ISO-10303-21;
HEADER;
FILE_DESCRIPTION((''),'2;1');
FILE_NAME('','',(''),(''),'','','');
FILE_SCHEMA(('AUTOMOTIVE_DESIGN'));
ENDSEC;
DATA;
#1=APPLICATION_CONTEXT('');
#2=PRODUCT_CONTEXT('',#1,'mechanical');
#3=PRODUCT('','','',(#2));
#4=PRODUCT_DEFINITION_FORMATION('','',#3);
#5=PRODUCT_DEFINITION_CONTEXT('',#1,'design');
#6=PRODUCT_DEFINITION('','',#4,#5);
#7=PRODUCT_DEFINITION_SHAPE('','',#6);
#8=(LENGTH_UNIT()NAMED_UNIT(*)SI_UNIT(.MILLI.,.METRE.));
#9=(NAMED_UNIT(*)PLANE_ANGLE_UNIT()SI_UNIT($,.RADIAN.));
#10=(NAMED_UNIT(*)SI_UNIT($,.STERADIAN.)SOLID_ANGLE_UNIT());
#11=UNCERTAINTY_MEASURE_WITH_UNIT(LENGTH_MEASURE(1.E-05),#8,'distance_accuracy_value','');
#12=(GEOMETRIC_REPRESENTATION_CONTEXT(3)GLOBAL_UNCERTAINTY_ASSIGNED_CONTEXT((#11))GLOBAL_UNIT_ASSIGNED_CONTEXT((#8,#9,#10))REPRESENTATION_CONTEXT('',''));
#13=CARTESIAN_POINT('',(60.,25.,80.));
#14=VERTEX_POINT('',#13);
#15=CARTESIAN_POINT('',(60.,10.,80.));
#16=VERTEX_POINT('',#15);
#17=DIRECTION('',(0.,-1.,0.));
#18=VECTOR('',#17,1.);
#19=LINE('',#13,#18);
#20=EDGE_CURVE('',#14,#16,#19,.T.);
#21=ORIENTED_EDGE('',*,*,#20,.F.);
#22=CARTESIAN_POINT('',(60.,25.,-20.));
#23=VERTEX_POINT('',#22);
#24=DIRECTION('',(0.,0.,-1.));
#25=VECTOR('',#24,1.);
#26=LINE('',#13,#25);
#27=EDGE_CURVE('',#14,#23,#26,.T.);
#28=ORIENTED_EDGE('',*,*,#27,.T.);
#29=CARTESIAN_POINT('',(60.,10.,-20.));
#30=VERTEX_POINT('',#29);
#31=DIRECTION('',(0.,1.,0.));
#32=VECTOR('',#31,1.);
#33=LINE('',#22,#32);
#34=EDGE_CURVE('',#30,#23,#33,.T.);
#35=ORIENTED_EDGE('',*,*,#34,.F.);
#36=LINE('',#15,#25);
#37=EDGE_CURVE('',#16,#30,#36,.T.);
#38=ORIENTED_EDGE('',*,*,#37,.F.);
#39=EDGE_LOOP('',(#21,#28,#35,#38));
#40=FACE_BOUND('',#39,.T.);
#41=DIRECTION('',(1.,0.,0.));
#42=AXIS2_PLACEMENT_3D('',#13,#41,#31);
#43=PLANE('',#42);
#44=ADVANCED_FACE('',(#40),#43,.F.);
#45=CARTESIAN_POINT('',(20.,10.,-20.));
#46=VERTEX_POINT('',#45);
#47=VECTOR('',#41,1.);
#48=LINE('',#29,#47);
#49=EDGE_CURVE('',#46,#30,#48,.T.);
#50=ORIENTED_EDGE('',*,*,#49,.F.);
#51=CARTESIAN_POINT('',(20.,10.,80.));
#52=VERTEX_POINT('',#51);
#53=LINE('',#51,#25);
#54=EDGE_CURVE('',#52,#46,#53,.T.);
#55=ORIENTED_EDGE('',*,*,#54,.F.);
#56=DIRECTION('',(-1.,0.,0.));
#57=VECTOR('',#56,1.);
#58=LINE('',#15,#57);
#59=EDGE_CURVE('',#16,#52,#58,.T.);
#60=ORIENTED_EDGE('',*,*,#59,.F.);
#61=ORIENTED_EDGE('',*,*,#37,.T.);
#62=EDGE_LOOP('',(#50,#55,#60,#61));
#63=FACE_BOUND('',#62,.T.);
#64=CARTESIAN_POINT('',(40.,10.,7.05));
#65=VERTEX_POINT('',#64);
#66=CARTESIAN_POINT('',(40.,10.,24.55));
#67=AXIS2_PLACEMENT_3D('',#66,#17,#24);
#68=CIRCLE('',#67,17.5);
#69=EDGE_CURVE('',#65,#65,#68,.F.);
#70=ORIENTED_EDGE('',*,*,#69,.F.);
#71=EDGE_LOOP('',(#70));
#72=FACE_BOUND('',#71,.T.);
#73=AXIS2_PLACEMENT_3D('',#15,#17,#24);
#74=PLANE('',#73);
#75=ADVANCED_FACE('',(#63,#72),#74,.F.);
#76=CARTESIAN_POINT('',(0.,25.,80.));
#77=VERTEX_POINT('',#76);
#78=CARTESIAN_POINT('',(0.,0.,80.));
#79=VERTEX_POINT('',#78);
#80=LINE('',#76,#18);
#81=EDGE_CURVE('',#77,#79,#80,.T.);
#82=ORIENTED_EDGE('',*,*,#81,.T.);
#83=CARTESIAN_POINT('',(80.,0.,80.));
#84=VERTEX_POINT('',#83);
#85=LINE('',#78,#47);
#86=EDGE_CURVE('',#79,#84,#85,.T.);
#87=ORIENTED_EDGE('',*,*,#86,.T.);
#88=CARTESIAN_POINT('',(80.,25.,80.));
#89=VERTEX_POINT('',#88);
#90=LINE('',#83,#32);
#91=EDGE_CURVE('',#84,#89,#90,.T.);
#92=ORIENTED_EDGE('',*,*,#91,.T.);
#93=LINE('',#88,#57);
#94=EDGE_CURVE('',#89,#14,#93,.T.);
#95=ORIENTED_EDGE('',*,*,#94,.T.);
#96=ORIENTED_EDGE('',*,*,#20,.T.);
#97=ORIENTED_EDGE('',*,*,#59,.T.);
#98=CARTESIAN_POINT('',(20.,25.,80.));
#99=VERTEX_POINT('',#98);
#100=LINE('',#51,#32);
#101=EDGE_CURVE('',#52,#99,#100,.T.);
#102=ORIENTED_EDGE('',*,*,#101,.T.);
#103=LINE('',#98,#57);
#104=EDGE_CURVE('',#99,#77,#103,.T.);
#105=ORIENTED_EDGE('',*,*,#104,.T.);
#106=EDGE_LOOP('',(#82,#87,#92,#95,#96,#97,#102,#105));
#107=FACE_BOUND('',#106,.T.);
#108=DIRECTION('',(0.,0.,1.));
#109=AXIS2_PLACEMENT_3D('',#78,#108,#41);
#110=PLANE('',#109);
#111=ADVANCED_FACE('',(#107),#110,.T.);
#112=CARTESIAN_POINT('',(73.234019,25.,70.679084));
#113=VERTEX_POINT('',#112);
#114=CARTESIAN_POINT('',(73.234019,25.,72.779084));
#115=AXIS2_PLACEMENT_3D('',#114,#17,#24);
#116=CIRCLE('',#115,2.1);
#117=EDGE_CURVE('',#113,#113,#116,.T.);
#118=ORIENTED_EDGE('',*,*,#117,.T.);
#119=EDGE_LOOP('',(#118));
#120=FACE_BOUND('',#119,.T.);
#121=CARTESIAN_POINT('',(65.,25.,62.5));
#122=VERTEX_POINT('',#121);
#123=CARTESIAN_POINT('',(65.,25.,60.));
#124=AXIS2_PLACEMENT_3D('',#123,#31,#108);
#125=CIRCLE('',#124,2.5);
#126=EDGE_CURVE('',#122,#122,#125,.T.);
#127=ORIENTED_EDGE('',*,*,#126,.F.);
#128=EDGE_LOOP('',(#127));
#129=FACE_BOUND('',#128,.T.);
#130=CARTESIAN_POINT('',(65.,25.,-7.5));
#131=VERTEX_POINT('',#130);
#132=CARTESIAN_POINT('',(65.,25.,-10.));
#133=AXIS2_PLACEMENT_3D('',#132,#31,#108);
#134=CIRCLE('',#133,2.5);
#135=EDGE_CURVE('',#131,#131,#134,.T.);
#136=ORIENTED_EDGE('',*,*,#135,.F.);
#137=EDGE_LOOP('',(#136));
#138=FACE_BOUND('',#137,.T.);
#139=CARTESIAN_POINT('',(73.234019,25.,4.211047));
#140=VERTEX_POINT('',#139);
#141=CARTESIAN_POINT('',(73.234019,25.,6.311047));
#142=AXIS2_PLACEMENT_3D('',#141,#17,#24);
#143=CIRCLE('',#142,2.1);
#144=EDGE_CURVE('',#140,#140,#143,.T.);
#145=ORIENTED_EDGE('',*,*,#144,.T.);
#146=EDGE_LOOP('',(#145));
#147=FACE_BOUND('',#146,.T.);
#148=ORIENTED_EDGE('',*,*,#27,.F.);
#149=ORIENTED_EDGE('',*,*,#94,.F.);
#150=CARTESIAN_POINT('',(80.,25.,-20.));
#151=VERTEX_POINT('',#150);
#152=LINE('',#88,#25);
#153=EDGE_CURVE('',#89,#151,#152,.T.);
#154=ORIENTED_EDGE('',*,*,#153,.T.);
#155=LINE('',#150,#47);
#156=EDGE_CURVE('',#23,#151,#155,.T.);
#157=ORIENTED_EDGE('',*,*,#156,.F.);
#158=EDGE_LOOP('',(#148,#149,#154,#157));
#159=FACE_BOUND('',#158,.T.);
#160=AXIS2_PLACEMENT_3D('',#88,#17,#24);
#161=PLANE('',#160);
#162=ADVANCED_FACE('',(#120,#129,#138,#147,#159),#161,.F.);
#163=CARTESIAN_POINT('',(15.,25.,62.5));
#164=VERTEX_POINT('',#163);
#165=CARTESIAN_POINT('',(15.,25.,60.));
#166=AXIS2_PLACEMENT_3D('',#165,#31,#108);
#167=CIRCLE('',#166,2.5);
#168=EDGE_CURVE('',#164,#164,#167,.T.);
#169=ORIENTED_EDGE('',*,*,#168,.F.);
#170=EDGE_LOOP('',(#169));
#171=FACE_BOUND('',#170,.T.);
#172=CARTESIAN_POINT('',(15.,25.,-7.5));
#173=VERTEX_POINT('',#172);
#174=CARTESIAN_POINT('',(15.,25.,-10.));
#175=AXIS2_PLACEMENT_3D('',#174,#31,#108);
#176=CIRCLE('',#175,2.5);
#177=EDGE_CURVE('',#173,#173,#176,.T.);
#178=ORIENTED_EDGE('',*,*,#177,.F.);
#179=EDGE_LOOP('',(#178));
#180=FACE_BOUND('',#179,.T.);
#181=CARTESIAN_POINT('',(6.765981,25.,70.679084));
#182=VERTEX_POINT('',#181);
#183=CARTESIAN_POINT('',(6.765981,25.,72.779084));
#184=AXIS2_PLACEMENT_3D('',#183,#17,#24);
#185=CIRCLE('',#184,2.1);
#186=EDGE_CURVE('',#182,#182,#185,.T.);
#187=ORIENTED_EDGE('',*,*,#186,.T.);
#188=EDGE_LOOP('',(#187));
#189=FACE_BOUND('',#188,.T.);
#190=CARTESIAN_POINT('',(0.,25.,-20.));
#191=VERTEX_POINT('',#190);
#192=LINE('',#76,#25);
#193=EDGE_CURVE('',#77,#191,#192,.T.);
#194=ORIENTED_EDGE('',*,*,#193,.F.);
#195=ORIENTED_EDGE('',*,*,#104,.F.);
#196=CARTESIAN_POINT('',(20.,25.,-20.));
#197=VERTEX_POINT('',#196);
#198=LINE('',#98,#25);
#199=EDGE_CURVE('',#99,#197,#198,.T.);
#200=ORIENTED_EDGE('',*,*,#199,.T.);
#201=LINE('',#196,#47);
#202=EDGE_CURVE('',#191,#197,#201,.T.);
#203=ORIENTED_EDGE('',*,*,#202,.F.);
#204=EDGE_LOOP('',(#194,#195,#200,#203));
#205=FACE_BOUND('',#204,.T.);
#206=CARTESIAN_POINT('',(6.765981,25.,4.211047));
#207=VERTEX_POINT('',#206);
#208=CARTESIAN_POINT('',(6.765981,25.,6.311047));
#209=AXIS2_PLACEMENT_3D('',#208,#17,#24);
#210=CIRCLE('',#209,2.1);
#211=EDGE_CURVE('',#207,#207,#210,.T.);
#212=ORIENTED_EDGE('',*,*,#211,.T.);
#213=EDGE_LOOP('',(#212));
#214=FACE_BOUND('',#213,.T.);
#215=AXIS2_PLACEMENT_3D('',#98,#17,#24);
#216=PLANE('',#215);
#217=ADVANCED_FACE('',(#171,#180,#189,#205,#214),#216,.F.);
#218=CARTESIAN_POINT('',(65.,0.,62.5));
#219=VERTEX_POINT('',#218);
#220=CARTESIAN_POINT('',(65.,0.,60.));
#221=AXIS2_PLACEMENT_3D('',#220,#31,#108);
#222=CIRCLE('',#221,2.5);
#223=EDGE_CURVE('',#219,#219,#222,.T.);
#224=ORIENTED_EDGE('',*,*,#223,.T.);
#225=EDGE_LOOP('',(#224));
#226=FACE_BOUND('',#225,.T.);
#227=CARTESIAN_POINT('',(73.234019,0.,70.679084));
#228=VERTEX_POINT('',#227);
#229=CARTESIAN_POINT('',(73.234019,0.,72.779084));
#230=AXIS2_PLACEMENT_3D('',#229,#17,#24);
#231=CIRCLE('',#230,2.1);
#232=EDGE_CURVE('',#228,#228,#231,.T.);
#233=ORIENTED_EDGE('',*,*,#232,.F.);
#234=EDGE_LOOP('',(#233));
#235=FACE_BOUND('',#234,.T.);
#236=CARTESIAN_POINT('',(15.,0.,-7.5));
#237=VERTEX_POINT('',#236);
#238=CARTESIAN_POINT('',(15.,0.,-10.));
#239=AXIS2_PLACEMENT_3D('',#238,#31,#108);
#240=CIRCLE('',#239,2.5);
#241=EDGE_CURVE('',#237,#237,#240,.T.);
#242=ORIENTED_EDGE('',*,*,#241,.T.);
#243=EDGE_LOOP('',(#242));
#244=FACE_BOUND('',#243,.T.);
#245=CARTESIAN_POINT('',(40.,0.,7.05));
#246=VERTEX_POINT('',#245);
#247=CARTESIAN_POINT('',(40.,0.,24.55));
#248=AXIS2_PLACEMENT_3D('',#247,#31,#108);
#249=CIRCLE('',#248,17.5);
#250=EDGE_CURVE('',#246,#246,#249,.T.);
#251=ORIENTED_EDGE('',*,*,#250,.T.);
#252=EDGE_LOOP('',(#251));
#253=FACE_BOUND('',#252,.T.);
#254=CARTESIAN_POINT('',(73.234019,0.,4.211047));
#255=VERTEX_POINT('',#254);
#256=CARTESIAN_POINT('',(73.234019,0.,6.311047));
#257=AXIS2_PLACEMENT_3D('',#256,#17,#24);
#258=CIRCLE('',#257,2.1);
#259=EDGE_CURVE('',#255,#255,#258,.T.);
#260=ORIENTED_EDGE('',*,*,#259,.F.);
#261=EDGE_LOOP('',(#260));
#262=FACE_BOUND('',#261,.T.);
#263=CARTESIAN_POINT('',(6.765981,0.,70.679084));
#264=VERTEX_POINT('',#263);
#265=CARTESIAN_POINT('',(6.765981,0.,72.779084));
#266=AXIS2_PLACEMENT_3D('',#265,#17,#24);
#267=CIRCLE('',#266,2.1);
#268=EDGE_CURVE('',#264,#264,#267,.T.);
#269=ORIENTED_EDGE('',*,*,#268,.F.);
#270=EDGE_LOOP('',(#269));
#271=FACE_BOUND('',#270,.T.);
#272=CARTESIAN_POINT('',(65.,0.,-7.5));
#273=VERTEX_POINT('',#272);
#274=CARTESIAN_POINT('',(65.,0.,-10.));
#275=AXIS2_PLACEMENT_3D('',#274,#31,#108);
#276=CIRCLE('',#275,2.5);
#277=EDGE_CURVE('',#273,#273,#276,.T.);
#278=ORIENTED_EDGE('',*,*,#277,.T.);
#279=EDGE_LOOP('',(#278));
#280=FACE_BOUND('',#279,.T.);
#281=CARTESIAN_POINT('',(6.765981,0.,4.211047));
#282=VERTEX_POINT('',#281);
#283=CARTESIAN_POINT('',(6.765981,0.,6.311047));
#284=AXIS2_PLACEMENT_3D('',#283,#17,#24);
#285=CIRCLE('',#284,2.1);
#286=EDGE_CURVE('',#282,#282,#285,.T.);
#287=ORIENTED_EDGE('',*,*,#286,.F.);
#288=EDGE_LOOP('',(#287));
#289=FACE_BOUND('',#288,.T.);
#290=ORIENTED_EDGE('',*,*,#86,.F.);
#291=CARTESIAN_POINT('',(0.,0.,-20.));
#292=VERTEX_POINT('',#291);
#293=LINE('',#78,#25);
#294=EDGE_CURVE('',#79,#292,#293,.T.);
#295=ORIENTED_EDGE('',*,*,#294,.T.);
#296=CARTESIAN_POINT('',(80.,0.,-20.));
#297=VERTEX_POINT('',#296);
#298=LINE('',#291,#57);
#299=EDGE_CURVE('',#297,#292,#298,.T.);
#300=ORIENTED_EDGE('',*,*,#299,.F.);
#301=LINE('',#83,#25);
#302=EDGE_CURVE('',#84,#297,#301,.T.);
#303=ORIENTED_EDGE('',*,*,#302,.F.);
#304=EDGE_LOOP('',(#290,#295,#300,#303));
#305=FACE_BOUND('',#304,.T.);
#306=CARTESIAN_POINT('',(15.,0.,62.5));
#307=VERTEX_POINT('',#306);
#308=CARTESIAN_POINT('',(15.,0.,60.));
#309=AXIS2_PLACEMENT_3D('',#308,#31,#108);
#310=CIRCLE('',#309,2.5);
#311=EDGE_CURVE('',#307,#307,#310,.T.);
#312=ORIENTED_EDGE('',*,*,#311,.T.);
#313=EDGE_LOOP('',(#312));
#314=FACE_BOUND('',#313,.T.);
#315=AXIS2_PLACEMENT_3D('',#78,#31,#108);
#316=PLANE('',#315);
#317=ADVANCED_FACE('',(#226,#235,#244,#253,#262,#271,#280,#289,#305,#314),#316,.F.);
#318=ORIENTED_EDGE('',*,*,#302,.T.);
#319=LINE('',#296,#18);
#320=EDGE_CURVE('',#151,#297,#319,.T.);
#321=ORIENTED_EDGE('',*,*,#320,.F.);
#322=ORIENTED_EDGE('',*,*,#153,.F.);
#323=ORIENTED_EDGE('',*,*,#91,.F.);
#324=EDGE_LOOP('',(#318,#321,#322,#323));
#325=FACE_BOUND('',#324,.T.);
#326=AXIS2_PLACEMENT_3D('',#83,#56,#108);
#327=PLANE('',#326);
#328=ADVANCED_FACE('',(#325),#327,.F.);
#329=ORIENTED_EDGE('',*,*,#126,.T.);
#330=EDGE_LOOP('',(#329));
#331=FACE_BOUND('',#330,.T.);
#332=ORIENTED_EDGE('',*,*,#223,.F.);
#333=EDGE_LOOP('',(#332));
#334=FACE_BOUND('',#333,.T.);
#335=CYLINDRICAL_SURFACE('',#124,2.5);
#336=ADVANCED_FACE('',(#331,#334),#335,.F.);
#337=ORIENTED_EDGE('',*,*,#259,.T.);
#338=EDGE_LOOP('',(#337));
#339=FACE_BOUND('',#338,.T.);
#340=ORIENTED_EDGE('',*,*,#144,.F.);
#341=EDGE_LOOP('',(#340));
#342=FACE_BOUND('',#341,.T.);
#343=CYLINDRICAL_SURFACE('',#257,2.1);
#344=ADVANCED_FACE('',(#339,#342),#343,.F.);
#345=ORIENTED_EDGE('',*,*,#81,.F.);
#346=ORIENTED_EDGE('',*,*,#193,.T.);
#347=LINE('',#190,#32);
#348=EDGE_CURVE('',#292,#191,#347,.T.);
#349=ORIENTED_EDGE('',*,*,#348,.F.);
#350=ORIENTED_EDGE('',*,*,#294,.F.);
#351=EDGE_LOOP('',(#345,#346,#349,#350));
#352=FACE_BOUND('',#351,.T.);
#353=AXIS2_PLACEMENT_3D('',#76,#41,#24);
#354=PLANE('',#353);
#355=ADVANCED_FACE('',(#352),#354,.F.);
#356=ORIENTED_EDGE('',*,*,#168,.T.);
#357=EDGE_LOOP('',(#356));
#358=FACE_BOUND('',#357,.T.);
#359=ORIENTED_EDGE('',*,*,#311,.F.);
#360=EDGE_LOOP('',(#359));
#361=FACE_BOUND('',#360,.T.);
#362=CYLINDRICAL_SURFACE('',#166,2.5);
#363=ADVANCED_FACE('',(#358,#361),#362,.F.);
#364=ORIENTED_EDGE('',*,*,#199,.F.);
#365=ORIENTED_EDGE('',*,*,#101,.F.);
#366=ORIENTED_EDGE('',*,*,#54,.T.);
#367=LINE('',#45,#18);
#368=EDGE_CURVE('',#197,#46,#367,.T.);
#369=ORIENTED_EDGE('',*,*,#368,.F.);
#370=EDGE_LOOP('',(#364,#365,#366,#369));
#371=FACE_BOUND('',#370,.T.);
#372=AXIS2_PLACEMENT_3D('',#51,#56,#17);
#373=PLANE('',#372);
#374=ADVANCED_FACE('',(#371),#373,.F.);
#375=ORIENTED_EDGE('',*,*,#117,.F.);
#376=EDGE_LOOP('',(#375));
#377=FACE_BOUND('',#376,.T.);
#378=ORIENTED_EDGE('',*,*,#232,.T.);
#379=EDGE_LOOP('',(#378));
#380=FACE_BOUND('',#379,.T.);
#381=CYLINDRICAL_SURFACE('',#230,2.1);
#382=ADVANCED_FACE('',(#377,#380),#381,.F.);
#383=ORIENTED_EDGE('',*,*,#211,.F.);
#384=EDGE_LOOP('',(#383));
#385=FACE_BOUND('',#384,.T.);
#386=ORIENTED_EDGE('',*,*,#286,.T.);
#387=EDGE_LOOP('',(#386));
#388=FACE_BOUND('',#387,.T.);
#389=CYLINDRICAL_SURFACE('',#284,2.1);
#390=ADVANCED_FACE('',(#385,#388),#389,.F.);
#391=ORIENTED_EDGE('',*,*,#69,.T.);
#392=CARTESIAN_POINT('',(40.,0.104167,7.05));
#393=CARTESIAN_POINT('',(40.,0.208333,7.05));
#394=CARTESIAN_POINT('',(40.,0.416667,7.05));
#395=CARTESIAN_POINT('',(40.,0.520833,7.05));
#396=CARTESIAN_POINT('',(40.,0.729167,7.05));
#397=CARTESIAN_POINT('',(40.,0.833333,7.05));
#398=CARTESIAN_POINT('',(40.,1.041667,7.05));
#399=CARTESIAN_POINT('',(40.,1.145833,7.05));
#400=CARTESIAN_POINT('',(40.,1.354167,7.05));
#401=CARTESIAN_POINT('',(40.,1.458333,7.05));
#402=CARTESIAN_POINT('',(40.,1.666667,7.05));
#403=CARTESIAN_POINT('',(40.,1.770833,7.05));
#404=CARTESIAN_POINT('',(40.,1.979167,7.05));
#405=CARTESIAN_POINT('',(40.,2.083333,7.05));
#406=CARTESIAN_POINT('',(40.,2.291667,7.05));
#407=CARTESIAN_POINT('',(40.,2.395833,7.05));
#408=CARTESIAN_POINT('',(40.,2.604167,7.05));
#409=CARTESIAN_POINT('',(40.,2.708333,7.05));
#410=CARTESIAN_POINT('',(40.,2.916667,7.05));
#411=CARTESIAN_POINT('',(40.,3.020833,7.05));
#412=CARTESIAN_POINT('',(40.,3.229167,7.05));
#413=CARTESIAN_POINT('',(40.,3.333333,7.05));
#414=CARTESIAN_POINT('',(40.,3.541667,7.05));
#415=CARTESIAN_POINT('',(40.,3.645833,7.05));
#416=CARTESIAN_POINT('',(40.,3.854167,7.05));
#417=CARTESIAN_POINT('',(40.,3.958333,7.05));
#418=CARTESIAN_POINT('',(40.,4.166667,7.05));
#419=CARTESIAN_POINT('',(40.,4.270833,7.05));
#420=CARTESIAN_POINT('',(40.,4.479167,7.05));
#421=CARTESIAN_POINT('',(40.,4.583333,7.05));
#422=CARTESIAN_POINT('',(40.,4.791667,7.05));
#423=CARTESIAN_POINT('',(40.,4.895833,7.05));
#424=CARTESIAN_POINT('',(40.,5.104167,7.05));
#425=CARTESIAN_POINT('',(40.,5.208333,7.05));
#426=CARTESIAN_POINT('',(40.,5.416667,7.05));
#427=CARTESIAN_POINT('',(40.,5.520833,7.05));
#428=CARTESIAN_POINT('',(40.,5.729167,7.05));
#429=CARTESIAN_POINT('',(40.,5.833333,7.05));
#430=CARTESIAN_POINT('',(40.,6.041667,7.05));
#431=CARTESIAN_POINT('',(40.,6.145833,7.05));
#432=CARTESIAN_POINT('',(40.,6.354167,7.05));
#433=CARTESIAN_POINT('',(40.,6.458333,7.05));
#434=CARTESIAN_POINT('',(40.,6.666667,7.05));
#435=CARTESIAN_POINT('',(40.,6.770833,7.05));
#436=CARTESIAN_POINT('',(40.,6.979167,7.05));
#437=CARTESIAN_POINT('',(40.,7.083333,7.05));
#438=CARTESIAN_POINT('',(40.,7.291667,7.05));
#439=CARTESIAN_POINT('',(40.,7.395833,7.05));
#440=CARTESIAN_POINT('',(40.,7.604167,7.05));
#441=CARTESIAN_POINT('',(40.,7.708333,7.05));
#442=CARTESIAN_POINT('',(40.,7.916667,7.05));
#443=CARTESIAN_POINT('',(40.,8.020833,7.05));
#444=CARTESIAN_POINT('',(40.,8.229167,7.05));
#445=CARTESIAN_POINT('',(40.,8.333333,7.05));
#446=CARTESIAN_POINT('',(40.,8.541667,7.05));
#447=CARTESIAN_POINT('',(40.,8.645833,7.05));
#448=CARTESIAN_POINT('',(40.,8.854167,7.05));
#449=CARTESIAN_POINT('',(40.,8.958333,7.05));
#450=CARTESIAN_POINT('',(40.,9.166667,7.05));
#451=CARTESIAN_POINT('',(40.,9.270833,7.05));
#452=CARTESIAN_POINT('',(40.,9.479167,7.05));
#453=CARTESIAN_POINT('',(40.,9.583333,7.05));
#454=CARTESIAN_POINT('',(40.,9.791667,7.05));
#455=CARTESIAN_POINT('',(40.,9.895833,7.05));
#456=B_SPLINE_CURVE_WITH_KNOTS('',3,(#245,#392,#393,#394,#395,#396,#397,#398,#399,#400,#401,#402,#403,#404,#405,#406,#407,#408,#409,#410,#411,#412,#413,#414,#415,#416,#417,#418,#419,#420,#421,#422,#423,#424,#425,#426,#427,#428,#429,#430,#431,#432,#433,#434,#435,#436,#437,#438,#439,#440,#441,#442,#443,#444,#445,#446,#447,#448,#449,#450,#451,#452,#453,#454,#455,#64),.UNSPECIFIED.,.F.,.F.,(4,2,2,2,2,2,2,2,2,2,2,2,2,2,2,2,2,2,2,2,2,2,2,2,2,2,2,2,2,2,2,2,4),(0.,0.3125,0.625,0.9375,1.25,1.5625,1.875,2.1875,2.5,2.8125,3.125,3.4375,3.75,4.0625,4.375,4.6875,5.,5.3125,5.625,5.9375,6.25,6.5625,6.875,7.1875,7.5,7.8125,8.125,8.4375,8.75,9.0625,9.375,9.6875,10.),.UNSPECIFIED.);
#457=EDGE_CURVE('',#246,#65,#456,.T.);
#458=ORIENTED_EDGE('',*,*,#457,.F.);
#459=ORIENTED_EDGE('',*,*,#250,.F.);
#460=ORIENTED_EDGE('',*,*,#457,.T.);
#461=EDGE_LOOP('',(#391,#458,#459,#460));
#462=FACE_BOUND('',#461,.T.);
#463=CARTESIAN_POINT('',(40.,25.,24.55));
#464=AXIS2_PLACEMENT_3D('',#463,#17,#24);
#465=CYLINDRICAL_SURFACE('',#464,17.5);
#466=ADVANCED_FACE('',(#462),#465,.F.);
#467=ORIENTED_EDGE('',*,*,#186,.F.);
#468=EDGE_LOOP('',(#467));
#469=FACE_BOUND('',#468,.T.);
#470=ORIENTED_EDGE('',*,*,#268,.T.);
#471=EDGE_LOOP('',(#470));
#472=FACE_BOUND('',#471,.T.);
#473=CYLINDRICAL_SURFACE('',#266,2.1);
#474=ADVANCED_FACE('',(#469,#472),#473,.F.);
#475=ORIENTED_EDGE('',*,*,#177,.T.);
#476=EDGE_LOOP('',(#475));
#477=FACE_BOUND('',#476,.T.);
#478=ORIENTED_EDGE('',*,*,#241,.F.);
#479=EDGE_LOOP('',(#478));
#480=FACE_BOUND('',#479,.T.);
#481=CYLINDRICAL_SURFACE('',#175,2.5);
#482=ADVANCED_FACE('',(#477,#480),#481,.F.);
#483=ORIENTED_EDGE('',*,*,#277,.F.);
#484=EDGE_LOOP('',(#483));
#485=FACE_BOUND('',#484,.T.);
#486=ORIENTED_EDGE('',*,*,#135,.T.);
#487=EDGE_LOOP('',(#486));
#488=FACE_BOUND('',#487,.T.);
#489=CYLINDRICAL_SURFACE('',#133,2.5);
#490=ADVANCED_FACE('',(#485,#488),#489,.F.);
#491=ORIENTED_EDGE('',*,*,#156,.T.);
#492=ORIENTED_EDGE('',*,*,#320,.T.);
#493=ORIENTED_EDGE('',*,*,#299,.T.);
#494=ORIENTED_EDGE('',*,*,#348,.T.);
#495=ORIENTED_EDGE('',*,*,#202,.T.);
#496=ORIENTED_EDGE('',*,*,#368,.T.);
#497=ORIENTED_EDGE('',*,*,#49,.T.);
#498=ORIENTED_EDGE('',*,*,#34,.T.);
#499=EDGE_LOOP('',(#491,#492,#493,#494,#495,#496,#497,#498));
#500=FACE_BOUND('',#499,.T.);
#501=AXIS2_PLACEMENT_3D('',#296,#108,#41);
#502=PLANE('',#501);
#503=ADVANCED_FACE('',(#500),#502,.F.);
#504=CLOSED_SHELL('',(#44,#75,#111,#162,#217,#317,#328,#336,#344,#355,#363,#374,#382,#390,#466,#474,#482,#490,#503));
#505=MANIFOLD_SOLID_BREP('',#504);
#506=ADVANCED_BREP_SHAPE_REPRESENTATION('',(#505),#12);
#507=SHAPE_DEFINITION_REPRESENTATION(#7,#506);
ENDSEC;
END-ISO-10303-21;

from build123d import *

# Parameters (mm, degrees)
EXTRUDE_1_DEPTH     = 80
EXTRUDE_4_DEPTH     = 20
HOLE_WIZARD_M5_1_D  = 4.2
HOLE_WIZARD_M6_1_D  = 5
SKETCH_2_R          = 17.5
CUT_EXTRUDE_2_DEPTH = 116.866302263


with BuildPart() as part:
    # 草图1 → 拉伸1 (new body)
    with BuildSketch(Plane.XY):
        Polygon((0, 0), (80, 0), (80, 25), (60, 25), (60, 10), (20, 10), (20, 25), (0, 25), align=None)
    extrude(amount=EXTRUDE_1_DEPTH)

    # 草图7 → 拉伸4 (add)
    with BuildSketch(Plane(origin=(0, 0, 0), x_dir=(-1, 0, 0), z_dir=(0, 0, -1))):
        Polygon((-80, 0), (-80, 25), (-60, 25), (-60, 10), (-20, 10), (-20, 25), (0, 25), (0, 0), align=None)
    extrude(amount=EXTRUDE_4_DEPTH)

    # M5 螺纹孔1 (through all)
    with Locations(Plane(origin=(73.234018716, 0, 72.779084328), x_dir=(0, 0, -1), z_dir=(0, -1, 0))):
        with Locations((0, 0), (0, -66.468037432), (66.468037432, -66.468037432), (66.468037432, 0)):
            Hole(HOLE_WIZARD_M5_1_D / 2)

    # M6 螺纹孔1 (through all)
    with Locations(Plane(origin=(0, 25, 0), x_dir=(-1, 0, 0), z_dir=(0, 1, 0))):
        with Locations((-15, -10), (-15, 60), (-65, -10), (-65, 60)):
            Hole(HOLE_WIZARD_M6_1_D / 2)

    # 草图2 → 拉伸2 (cut, through all)
    with BuildSketch(Plane(origin=(0, 0, 0), x_dir=(1, 0, 0), z_dir=(0, 1, 0))):
        with Locations(Location((40, -24.55, 0), (0, 0, 90))):
            Circle(SKETCH_2_R)
    extrude(amount=CUT_EXTRUDE_2_DEPTH, mode=Mode.SUBTRACT)


solid = part.part
